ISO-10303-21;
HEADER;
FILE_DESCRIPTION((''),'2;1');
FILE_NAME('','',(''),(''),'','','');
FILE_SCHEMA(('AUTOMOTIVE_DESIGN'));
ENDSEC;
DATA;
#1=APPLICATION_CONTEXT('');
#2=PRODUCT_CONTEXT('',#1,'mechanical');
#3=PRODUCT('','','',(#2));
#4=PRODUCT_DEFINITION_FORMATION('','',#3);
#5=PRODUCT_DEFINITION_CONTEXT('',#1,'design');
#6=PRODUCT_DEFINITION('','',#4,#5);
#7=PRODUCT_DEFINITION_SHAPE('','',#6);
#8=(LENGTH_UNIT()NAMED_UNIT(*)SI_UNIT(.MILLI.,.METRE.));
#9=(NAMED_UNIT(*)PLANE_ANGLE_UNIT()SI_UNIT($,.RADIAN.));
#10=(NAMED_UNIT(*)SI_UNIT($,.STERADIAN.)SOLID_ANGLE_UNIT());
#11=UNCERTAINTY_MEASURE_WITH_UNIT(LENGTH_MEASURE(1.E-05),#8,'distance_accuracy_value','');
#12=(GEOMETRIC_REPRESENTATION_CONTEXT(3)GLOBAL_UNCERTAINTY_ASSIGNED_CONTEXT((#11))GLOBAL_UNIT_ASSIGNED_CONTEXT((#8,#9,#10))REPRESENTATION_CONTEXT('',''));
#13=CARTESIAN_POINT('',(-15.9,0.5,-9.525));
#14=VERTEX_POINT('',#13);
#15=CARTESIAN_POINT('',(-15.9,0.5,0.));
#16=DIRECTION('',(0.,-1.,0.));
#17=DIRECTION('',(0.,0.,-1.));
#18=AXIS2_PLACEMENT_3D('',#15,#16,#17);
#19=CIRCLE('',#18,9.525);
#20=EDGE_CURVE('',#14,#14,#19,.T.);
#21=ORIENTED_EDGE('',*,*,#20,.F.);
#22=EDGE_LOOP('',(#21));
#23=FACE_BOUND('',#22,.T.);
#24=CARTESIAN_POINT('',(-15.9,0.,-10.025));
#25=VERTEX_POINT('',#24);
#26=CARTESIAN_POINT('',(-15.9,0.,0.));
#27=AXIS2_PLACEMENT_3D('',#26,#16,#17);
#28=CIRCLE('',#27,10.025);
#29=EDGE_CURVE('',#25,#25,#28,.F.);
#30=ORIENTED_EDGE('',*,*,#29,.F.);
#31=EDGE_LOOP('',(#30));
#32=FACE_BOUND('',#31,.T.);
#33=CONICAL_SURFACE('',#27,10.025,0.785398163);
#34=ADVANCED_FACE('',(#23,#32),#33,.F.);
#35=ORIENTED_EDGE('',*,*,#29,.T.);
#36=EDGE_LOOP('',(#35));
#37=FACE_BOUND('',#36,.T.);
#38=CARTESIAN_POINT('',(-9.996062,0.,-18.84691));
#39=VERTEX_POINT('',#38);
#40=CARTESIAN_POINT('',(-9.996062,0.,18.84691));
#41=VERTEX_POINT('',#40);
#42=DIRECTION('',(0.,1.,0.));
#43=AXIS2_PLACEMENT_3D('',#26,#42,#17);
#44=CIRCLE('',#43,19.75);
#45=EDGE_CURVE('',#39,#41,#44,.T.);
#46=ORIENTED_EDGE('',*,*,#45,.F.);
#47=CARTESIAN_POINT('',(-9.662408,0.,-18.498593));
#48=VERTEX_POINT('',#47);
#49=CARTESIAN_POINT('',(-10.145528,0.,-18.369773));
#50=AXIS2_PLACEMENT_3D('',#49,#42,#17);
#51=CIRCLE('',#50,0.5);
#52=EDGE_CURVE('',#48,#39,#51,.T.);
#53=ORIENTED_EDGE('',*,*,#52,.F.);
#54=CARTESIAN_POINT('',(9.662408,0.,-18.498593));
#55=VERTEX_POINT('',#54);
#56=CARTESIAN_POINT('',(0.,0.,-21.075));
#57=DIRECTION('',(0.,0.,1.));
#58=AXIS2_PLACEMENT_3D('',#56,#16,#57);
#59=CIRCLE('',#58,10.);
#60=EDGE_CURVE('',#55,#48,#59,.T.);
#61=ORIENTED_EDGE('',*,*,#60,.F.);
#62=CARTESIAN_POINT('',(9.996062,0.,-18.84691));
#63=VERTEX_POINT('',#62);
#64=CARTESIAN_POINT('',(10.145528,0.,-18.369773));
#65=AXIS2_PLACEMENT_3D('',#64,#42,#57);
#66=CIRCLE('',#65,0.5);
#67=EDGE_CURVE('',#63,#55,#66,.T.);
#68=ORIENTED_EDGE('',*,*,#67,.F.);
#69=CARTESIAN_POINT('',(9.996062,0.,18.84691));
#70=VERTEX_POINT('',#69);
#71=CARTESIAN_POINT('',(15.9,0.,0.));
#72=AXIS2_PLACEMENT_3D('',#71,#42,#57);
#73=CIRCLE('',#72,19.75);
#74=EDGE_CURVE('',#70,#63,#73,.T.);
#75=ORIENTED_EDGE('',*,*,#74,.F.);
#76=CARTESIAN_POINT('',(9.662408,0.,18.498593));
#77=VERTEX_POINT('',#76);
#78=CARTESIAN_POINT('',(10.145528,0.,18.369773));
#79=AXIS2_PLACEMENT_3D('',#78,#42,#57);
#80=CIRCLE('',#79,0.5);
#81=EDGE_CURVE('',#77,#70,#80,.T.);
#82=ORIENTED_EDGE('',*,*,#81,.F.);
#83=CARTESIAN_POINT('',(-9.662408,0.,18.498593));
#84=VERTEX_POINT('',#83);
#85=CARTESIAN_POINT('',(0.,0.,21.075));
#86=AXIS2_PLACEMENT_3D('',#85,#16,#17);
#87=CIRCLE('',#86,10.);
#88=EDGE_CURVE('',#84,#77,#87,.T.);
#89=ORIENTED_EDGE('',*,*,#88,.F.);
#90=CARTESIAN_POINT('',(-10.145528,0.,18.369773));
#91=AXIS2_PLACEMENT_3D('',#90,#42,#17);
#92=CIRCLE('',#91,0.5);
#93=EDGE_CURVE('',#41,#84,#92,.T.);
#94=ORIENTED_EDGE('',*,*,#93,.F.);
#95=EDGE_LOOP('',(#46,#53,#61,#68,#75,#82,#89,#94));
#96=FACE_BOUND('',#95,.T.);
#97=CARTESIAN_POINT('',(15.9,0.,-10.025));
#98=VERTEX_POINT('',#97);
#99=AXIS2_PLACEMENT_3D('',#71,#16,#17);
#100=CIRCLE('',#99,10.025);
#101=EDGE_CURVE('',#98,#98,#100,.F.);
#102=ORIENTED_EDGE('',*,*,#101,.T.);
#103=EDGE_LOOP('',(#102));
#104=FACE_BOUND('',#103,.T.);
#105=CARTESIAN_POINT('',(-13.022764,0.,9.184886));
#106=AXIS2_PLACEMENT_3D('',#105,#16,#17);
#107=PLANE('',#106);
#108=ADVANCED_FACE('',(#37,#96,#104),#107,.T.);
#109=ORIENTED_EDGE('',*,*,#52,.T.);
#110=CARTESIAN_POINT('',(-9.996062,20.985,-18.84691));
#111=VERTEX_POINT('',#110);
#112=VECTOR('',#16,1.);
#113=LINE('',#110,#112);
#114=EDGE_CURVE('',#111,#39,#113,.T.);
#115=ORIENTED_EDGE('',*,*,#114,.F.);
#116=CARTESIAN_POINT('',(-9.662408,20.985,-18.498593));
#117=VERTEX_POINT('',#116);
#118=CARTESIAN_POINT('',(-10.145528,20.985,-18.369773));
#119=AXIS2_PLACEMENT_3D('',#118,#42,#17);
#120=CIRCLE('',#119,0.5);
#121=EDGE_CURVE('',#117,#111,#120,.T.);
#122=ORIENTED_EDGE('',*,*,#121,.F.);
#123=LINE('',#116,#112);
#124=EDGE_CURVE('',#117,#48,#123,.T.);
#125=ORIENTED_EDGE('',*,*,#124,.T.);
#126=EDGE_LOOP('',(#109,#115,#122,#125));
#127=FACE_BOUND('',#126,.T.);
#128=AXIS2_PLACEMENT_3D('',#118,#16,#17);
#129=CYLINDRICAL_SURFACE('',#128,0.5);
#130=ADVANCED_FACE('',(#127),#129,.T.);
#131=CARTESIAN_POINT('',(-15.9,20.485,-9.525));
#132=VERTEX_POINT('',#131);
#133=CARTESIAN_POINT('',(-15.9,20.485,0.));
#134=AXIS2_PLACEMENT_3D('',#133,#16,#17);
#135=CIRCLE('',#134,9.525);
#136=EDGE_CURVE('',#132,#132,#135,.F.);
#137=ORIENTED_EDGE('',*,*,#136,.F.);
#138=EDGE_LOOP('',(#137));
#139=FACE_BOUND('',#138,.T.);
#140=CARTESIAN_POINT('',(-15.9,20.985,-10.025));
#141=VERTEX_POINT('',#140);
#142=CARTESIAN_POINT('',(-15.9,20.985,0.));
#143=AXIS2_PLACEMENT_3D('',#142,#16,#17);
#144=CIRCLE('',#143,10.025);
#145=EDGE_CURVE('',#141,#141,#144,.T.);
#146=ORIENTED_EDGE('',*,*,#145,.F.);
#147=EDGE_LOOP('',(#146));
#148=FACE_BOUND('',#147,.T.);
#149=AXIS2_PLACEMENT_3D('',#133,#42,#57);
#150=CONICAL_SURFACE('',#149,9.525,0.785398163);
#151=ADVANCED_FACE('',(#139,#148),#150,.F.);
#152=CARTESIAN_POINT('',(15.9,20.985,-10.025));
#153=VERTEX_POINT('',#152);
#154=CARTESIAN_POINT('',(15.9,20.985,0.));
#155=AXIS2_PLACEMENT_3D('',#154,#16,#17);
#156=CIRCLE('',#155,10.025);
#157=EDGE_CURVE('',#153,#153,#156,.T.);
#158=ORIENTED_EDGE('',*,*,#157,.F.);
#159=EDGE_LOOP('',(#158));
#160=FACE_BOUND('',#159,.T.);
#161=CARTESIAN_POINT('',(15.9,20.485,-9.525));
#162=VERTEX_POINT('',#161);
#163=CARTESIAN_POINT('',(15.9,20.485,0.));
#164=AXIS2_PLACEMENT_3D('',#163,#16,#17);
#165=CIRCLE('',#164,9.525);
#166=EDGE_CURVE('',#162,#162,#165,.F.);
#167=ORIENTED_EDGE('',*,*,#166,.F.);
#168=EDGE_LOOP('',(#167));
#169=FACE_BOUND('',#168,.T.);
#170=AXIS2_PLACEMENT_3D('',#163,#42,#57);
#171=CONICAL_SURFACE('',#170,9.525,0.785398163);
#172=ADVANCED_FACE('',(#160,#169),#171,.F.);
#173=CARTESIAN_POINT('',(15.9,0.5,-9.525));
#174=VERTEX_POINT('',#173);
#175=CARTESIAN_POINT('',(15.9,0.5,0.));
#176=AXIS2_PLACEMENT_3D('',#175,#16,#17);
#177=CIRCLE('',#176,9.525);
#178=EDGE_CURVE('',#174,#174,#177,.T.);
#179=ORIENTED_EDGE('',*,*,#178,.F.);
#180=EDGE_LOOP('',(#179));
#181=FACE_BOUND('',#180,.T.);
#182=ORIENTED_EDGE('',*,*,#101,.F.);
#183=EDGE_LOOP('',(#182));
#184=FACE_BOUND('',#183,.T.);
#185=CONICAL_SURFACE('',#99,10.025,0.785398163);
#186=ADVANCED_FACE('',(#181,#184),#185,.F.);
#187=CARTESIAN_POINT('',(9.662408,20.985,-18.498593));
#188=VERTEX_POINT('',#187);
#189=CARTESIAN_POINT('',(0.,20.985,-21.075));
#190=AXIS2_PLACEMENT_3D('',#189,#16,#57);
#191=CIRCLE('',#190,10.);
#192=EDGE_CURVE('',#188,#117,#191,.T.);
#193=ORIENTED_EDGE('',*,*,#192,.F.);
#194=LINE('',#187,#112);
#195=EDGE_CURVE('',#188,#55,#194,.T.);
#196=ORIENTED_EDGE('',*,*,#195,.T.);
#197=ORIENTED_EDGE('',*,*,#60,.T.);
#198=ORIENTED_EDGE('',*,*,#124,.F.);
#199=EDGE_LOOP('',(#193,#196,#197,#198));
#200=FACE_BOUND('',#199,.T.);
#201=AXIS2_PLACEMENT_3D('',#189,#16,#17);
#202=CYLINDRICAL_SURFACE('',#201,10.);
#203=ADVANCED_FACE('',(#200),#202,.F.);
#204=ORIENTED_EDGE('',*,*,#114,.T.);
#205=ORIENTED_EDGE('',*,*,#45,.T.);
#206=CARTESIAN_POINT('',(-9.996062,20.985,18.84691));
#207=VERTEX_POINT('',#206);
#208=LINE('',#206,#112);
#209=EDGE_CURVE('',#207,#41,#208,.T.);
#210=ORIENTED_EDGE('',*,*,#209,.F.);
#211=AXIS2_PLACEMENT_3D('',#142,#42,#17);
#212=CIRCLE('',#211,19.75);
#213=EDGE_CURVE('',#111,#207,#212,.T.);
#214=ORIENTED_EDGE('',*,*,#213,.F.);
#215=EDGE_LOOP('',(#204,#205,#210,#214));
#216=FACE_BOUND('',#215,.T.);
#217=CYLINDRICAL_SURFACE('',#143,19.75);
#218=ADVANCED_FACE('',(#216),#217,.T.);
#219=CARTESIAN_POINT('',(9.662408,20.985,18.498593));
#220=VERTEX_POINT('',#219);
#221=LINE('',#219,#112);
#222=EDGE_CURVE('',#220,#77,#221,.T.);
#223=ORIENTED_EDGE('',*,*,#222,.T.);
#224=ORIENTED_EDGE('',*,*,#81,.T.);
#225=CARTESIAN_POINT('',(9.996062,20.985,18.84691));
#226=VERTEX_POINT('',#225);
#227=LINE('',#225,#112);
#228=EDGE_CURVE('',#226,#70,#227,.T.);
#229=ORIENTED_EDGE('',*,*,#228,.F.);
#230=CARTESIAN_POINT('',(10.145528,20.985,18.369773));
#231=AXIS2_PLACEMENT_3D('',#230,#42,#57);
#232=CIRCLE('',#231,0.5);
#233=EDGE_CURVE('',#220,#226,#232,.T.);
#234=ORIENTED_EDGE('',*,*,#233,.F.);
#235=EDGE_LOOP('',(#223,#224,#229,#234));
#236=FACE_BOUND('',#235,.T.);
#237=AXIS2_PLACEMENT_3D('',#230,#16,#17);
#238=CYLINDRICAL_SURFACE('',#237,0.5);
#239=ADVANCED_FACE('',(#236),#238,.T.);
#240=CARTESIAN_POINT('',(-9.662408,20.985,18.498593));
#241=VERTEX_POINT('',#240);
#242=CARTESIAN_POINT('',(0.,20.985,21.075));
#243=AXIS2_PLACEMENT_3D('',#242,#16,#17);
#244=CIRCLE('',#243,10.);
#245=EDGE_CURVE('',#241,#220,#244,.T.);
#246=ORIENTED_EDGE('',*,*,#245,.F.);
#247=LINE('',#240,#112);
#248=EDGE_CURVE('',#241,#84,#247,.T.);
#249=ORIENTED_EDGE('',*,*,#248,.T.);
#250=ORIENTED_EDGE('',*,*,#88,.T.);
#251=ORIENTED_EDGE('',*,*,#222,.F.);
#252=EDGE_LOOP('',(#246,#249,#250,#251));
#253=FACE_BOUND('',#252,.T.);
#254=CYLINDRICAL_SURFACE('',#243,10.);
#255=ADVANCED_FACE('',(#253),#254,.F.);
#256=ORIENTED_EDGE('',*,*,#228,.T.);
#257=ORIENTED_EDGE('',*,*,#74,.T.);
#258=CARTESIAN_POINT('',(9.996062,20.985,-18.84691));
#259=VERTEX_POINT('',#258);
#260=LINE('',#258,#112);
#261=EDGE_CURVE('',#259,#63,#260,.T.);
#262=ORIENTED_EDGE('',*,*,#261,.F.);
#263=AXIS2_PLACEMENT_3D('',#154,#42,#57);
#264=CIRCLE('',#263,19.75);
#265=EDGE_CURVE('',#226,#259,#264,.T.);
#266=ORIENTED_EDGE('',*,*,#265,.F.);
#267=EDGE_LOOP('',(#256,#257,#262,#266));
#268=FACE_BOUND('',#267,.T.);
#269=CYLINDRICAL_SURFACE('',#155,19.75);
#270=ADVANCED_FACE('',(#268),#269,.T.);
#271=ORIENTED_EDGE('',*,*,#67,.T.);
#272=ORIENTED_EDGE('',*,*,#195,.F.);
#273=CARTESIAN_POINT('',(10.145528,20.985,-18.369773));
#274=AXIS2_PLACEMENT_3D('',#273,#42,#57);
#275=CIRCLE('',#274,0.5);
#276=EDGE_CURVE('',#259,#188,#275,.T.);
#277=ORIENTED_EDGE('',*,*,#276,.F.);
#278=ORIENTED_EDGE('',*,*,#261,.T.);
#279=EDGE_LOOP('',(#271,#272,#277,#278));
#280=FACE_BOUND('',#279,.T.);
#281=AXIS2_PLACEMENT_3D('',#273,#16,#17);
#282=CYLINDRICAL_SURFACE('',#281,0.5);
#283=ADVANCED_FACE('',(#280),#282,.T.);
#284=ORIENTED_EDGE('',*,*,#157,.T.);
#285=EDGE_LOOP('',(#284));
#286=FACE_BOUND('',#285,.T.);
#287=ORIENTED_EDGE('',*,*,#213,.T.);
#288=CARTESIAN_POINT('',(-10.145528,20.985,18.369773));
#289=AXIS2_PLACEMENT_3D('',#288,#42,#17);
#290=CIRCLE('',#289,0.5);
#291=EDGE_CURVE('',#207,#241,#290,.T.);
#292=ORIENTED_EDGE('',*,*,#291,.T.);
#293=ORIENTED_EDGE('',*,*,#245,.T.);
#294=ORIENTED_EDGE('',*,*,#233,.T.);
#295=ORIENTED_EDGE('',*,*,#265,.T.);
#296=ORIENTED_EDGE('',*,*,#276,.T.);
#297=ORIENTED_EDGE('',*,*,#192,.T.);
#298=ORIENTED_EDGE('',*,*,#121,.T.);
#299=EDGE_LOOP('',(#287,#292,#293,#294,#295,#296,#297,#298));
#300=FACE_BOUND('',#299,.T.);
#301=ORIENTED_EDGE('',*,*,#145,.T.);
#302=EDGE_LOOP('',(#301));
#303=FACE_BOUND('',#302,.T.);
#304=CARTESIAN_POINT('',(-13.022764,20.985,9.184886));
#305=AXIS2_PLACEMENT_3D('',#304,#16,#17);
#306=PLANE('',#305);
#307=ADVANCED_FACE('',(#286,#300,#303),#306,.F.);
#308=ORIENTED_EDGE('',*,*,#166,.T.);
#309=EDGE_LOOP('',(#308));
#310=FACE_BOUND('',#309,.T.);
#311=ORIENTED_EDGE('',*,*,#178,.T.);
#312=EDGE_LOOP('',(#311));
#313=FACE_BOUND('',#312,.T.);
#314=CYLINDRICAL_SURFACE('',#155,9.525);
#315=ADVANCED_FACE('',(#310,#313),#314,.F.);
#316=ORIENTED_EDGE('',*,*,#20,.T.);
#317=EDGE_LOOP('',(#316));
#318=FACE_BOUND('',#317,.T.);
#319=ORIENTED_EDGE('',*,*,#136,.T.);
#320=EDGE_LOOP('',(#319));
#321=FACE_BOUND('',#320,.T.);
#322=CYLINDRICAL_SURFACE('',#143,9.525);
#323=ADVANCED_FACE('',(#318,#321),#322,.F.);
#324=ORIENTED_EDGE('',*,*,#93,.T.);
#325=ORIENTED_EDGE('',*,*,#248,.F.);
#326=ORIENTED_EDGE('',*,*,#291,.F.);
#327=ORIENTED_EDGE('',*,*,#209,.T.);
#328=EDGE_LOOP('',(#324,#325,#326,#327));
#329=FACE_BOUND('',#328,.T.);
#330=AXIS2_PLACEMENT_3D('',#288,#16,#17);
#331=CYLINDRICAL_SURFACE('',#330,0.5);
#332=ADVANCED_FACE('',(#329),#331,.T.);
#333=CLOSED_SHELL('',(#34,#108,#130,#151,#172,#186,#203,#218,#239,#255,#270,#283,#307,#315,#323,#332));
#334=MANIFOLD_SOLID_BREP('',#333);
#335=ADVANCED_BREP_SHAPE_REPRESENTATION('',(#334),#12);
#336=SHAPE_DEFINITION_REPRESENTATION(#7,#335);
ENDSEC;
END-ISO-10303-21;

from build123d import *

# Parameters (mm, degrees)
SKETCH1_R           = 9.525
BOSS_EXTRUDE1_DEPTH = 20.985
CHAMFER1_SIZE       = 0.5


with BuildPart() as part:
    # Sketch1 → Boss-Extrude1 (new body)
    with BuildSketch(Plane(origin=(0, 0, 0), x_dir=(1, 0, 0), z_dir=(0, 1, 0))):
        with BuildLine():
            ThreePointArc((-9.662407992, 18.498593241), (0, 11.075), (9.662407992, 18.498593241))
            ThreePointArc((9.662407992, 18.498593241), (9.784456714, 18.715644618), (9.996061597, 18.846909862))
            ThreePointArc((9.996061597, 18.846909862), (35.65, 0), (9.996061597, -18.846909862))
            ThreePointArc((9.996061597, -18.846909862), (9.784456714, -18.715644618), (9.662407992, -18.498593241))
            ThreePointArc((9.662407992, -18.498593241), (0, -11.075), (-9.662407992, -18.498593241))
            ThreePointArc((-9.662407992, -18.498593241), (-9.784456714, -18.715644618), (-9.996061597, -18.846909862))
            ThreePointArc((-9.996061597, -18.846909862), (-35.65, 0), (-9.996061597, 18.846909862))
            ThreePointArc((-9.996061597, 18.846909862), (-9.784456714, 18.715644618), (-9.662407992, 18.498593241))
        make_face()
        with Locations(Location((-15.9, 0, 0), (0, 0, 270))):
            Circle(SKETCH1_R, mode=Mode.SUBTRACT)
        with Locations(Location((15.9, 0, 0), (0, 0, 270))):
            Circle(SKETCH1_R, mode=Mode.SUBTRACT)
    extrude(amount=BOSS_EXTRUDE1_DEPTH)

    # Chamfer1
    chamfer1_edges = [part.edges().sort_by_distance(p)[0] for p in [
        (-15.9, 0, -9.525),
        (-15.9, 20.985, -9.525),
        (15.9, 0, -9.525),
        (15.9, 20.985, -9.525),
    ]]
    chamfer(chamfer1_edges, length=CHAMFER1_SIZE)


solid = part.part
